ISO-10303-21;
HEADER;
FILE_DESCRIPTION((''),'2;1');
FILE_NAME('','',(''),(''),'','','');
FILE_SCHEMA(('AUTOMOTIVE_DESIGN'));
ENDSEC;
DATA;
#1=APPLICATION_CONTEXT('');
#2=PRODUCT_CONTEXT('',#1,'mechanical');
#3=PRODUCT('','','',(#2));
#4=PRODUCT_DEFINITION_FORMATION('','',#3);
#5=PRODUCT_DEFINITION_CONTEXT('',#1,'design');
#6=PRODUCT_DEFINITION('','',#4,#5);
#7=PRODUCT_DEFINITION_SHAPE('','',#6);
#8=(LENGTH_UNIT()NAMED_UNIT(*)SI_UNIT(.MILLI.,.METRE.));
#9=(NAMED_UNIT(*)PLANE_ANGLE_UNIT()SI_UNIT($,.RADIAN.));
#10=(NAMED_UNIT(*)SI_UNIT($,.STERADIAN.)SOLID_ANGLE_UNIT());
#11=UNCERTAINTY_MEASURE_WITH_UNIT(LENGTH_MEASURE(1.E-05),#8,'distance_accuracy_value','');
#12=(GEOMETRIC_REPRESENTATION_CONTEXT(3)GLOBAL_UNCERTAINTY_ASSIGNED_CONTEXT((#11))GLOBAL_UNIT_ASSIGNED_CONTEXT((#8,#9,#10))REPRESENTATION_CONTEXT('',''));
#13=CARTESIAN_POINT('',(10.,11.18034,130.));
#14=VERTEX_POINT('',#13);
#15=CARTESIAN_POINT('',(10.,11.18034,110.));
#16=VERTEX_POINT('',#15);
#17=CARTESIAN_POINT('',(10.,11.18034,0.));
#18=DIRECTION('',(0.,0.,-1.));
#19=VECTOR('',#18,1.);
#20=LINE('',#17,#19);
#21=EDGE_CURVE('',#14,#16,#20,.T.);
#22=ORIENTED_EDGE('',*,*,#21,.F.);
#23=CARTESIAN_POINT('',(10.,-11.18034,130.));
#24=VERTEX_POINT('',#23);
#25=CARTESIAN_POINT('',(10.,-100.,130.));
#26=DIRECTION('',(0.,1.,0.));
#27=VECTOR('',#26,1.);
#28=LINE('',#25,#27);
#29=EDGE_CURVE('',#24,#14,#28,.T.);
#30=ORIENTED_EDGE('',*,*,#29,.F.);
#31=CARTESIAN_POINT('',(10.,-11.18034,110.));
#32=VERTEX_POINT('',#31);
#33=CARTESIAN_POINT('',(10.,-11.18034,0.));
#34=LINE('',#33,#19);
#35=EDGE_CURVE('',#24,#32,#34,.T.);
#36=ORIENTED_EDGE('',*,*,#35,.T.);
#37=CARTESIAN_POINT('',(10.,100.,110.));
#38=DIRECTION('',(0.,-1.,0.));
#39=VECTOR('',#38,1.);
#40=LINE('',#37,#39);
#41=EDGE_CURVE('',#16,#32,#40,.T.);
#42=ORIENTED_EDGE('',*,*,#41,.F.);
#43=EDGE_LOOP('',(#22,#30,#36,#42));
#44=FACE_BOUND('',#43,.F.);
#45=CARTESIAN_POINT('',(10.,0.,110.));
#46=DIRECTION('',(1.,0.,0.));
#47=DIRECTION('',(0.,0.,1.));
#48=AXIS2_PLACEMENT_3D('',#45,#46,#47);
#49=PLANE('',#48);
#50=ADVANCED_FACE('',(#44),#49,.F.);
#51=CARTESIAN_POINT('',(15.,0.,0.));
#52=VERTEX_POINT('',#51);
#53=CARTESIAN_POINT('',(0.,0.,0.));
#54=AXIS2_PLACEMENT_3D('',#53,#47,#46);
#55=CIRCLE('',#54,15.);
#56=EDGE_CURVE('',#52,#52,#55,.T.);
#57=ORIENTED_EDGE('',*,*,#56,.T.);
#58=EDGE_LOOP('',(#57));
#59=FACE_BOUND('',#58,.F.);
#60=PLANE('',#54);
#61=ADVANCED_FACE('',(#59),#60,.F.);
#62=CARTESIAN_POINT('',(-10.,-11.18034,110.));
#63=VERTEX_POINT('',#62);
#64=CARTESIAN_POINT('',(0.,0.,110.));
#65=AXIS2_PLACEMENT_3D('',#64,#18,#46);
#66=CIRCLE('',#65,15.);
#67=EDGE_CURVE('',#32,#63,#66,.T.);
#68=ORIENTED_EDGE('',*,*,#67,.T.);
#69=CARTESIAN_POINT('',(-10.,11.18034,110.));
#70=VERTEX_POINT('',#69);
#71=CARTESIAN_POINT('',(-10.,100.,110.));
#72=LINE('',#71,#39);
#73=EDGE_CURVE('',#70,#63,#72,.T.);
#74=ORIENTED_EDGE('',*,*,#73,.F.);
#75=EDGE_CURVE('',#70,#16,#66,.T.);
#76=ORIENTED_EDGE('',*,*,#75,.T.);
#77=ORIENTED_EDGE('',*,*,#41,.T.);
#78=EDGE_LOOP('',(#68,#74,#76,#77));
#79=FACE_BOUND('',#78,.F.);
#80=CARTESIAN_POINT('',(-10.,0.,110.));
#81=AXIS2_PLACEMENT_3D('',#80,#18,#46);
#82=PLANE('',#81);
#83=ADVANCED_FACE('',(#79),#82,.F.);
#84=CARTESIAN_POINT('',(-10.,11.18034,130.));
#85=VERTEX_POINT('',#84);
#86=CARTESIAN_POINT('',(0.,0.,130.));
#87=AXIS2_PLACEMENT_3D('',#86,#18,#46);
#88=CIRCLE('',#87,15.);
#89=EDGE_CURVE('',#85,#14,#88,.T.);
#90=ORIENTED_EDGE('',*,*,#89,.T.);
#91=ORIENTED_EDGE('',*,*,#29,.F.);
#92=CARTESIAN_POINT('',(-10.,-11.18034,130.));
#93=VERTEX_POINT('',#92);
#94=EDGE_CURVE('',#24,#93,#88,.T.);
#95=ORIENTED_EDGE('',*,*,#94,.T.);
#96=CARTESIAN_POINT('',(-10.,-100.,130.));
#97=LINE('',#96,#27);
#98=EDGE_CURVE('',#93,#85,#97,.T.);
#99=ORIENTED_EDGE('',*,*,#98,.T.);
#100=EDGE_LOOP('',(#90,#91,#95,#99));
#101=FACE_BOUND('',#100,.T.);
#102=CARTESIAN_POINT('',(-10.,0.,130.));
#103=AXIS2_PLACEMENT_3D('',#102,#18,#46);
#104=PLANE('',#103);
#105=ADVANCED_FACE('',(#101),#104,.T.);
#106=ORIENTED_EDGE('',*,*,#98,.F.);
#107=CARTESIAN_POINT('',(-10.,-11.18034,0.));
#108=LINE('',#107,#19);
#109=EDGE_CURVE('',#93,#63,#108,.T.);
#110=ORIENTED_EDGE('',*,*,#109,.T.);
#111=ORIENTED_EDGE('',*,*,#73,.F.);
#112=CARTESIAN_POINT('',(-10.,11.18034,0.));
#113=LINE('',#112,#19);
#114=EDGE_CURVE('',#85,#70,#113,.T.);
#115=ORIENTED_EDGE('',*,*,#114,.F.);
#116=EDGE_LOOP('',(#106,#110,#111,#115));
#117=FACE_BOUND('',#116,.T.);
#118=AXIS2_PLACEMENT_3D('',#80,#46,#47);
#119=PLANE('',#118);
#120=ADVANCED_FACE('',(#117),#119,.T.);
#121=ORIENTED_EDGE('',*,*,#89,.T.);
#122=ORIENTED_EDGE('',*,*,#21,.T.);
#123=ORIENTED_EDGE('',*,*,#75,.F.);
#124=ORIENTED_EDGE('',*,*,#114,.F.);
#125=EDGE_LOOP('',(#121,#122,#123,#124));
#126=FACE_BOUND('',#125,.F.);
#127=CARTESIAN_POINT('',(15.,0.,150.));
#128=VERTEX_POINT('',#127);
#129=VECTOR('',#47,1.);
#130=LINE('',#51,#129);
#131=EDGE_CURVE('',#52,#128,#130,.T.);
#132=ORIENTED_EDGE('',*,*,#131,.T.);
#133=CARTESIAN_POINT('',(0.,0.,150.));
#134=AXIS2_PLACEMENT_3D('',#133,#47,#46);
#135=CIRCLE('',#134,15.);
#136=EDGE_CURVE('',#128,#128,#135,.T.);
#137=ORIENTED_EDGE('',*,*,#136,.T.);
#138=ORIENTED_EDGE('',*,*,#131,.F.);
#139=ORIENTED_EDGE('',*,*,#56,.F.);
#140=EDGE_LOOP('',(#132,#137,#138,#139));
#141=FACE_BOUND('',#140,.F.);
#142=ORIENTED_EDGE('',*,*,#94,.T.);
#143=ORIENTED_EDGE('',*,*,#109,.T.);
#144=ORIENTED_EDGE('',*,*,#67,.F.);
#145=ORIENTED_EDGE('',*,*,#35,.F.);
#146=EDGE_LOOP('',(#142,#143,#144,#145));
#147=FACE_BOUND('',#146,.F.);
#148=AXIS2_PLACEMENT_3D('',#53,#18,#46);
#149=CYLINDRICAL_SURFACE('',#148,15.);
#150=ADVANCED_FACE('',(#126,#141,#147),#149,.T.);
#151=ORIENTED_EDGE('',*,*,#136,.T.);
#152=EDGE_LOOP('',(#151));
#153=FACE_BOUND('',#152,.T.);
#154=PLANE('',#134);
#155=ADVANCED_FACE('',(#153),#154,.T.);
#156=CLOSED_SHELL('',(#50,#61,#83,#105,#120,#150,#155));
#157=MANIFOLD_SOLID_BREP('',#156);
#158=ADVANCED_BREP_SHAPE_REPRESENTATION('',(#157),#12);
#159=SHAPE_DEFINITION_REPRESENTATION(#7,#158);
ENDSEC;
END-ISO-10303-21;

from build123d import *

# Parameters (mm, degrees)
F0_R     = 15
F1_DEPTH = 150
F2_W     = 20
F2_H     = 20
F3_DEPTH = 100


with BuildPart() as f1:
    # F0 (on Top) → F1 (new body)
    with BuildSketch(Plane.XY):
        Circle(F0_R)
    extrude(amount=F1_DEPTH)

    # F2 (on Front) → F3 (cut, symmetric)
    with BuildSketch(Plane.XZ):
        with Locations((0, 120)):
            Rectangle(F2_W, F2_H)
    extrude(amount=F3_DEPTH, both=True, mode=Mode.SUBTRACT)


solid = f1.part
